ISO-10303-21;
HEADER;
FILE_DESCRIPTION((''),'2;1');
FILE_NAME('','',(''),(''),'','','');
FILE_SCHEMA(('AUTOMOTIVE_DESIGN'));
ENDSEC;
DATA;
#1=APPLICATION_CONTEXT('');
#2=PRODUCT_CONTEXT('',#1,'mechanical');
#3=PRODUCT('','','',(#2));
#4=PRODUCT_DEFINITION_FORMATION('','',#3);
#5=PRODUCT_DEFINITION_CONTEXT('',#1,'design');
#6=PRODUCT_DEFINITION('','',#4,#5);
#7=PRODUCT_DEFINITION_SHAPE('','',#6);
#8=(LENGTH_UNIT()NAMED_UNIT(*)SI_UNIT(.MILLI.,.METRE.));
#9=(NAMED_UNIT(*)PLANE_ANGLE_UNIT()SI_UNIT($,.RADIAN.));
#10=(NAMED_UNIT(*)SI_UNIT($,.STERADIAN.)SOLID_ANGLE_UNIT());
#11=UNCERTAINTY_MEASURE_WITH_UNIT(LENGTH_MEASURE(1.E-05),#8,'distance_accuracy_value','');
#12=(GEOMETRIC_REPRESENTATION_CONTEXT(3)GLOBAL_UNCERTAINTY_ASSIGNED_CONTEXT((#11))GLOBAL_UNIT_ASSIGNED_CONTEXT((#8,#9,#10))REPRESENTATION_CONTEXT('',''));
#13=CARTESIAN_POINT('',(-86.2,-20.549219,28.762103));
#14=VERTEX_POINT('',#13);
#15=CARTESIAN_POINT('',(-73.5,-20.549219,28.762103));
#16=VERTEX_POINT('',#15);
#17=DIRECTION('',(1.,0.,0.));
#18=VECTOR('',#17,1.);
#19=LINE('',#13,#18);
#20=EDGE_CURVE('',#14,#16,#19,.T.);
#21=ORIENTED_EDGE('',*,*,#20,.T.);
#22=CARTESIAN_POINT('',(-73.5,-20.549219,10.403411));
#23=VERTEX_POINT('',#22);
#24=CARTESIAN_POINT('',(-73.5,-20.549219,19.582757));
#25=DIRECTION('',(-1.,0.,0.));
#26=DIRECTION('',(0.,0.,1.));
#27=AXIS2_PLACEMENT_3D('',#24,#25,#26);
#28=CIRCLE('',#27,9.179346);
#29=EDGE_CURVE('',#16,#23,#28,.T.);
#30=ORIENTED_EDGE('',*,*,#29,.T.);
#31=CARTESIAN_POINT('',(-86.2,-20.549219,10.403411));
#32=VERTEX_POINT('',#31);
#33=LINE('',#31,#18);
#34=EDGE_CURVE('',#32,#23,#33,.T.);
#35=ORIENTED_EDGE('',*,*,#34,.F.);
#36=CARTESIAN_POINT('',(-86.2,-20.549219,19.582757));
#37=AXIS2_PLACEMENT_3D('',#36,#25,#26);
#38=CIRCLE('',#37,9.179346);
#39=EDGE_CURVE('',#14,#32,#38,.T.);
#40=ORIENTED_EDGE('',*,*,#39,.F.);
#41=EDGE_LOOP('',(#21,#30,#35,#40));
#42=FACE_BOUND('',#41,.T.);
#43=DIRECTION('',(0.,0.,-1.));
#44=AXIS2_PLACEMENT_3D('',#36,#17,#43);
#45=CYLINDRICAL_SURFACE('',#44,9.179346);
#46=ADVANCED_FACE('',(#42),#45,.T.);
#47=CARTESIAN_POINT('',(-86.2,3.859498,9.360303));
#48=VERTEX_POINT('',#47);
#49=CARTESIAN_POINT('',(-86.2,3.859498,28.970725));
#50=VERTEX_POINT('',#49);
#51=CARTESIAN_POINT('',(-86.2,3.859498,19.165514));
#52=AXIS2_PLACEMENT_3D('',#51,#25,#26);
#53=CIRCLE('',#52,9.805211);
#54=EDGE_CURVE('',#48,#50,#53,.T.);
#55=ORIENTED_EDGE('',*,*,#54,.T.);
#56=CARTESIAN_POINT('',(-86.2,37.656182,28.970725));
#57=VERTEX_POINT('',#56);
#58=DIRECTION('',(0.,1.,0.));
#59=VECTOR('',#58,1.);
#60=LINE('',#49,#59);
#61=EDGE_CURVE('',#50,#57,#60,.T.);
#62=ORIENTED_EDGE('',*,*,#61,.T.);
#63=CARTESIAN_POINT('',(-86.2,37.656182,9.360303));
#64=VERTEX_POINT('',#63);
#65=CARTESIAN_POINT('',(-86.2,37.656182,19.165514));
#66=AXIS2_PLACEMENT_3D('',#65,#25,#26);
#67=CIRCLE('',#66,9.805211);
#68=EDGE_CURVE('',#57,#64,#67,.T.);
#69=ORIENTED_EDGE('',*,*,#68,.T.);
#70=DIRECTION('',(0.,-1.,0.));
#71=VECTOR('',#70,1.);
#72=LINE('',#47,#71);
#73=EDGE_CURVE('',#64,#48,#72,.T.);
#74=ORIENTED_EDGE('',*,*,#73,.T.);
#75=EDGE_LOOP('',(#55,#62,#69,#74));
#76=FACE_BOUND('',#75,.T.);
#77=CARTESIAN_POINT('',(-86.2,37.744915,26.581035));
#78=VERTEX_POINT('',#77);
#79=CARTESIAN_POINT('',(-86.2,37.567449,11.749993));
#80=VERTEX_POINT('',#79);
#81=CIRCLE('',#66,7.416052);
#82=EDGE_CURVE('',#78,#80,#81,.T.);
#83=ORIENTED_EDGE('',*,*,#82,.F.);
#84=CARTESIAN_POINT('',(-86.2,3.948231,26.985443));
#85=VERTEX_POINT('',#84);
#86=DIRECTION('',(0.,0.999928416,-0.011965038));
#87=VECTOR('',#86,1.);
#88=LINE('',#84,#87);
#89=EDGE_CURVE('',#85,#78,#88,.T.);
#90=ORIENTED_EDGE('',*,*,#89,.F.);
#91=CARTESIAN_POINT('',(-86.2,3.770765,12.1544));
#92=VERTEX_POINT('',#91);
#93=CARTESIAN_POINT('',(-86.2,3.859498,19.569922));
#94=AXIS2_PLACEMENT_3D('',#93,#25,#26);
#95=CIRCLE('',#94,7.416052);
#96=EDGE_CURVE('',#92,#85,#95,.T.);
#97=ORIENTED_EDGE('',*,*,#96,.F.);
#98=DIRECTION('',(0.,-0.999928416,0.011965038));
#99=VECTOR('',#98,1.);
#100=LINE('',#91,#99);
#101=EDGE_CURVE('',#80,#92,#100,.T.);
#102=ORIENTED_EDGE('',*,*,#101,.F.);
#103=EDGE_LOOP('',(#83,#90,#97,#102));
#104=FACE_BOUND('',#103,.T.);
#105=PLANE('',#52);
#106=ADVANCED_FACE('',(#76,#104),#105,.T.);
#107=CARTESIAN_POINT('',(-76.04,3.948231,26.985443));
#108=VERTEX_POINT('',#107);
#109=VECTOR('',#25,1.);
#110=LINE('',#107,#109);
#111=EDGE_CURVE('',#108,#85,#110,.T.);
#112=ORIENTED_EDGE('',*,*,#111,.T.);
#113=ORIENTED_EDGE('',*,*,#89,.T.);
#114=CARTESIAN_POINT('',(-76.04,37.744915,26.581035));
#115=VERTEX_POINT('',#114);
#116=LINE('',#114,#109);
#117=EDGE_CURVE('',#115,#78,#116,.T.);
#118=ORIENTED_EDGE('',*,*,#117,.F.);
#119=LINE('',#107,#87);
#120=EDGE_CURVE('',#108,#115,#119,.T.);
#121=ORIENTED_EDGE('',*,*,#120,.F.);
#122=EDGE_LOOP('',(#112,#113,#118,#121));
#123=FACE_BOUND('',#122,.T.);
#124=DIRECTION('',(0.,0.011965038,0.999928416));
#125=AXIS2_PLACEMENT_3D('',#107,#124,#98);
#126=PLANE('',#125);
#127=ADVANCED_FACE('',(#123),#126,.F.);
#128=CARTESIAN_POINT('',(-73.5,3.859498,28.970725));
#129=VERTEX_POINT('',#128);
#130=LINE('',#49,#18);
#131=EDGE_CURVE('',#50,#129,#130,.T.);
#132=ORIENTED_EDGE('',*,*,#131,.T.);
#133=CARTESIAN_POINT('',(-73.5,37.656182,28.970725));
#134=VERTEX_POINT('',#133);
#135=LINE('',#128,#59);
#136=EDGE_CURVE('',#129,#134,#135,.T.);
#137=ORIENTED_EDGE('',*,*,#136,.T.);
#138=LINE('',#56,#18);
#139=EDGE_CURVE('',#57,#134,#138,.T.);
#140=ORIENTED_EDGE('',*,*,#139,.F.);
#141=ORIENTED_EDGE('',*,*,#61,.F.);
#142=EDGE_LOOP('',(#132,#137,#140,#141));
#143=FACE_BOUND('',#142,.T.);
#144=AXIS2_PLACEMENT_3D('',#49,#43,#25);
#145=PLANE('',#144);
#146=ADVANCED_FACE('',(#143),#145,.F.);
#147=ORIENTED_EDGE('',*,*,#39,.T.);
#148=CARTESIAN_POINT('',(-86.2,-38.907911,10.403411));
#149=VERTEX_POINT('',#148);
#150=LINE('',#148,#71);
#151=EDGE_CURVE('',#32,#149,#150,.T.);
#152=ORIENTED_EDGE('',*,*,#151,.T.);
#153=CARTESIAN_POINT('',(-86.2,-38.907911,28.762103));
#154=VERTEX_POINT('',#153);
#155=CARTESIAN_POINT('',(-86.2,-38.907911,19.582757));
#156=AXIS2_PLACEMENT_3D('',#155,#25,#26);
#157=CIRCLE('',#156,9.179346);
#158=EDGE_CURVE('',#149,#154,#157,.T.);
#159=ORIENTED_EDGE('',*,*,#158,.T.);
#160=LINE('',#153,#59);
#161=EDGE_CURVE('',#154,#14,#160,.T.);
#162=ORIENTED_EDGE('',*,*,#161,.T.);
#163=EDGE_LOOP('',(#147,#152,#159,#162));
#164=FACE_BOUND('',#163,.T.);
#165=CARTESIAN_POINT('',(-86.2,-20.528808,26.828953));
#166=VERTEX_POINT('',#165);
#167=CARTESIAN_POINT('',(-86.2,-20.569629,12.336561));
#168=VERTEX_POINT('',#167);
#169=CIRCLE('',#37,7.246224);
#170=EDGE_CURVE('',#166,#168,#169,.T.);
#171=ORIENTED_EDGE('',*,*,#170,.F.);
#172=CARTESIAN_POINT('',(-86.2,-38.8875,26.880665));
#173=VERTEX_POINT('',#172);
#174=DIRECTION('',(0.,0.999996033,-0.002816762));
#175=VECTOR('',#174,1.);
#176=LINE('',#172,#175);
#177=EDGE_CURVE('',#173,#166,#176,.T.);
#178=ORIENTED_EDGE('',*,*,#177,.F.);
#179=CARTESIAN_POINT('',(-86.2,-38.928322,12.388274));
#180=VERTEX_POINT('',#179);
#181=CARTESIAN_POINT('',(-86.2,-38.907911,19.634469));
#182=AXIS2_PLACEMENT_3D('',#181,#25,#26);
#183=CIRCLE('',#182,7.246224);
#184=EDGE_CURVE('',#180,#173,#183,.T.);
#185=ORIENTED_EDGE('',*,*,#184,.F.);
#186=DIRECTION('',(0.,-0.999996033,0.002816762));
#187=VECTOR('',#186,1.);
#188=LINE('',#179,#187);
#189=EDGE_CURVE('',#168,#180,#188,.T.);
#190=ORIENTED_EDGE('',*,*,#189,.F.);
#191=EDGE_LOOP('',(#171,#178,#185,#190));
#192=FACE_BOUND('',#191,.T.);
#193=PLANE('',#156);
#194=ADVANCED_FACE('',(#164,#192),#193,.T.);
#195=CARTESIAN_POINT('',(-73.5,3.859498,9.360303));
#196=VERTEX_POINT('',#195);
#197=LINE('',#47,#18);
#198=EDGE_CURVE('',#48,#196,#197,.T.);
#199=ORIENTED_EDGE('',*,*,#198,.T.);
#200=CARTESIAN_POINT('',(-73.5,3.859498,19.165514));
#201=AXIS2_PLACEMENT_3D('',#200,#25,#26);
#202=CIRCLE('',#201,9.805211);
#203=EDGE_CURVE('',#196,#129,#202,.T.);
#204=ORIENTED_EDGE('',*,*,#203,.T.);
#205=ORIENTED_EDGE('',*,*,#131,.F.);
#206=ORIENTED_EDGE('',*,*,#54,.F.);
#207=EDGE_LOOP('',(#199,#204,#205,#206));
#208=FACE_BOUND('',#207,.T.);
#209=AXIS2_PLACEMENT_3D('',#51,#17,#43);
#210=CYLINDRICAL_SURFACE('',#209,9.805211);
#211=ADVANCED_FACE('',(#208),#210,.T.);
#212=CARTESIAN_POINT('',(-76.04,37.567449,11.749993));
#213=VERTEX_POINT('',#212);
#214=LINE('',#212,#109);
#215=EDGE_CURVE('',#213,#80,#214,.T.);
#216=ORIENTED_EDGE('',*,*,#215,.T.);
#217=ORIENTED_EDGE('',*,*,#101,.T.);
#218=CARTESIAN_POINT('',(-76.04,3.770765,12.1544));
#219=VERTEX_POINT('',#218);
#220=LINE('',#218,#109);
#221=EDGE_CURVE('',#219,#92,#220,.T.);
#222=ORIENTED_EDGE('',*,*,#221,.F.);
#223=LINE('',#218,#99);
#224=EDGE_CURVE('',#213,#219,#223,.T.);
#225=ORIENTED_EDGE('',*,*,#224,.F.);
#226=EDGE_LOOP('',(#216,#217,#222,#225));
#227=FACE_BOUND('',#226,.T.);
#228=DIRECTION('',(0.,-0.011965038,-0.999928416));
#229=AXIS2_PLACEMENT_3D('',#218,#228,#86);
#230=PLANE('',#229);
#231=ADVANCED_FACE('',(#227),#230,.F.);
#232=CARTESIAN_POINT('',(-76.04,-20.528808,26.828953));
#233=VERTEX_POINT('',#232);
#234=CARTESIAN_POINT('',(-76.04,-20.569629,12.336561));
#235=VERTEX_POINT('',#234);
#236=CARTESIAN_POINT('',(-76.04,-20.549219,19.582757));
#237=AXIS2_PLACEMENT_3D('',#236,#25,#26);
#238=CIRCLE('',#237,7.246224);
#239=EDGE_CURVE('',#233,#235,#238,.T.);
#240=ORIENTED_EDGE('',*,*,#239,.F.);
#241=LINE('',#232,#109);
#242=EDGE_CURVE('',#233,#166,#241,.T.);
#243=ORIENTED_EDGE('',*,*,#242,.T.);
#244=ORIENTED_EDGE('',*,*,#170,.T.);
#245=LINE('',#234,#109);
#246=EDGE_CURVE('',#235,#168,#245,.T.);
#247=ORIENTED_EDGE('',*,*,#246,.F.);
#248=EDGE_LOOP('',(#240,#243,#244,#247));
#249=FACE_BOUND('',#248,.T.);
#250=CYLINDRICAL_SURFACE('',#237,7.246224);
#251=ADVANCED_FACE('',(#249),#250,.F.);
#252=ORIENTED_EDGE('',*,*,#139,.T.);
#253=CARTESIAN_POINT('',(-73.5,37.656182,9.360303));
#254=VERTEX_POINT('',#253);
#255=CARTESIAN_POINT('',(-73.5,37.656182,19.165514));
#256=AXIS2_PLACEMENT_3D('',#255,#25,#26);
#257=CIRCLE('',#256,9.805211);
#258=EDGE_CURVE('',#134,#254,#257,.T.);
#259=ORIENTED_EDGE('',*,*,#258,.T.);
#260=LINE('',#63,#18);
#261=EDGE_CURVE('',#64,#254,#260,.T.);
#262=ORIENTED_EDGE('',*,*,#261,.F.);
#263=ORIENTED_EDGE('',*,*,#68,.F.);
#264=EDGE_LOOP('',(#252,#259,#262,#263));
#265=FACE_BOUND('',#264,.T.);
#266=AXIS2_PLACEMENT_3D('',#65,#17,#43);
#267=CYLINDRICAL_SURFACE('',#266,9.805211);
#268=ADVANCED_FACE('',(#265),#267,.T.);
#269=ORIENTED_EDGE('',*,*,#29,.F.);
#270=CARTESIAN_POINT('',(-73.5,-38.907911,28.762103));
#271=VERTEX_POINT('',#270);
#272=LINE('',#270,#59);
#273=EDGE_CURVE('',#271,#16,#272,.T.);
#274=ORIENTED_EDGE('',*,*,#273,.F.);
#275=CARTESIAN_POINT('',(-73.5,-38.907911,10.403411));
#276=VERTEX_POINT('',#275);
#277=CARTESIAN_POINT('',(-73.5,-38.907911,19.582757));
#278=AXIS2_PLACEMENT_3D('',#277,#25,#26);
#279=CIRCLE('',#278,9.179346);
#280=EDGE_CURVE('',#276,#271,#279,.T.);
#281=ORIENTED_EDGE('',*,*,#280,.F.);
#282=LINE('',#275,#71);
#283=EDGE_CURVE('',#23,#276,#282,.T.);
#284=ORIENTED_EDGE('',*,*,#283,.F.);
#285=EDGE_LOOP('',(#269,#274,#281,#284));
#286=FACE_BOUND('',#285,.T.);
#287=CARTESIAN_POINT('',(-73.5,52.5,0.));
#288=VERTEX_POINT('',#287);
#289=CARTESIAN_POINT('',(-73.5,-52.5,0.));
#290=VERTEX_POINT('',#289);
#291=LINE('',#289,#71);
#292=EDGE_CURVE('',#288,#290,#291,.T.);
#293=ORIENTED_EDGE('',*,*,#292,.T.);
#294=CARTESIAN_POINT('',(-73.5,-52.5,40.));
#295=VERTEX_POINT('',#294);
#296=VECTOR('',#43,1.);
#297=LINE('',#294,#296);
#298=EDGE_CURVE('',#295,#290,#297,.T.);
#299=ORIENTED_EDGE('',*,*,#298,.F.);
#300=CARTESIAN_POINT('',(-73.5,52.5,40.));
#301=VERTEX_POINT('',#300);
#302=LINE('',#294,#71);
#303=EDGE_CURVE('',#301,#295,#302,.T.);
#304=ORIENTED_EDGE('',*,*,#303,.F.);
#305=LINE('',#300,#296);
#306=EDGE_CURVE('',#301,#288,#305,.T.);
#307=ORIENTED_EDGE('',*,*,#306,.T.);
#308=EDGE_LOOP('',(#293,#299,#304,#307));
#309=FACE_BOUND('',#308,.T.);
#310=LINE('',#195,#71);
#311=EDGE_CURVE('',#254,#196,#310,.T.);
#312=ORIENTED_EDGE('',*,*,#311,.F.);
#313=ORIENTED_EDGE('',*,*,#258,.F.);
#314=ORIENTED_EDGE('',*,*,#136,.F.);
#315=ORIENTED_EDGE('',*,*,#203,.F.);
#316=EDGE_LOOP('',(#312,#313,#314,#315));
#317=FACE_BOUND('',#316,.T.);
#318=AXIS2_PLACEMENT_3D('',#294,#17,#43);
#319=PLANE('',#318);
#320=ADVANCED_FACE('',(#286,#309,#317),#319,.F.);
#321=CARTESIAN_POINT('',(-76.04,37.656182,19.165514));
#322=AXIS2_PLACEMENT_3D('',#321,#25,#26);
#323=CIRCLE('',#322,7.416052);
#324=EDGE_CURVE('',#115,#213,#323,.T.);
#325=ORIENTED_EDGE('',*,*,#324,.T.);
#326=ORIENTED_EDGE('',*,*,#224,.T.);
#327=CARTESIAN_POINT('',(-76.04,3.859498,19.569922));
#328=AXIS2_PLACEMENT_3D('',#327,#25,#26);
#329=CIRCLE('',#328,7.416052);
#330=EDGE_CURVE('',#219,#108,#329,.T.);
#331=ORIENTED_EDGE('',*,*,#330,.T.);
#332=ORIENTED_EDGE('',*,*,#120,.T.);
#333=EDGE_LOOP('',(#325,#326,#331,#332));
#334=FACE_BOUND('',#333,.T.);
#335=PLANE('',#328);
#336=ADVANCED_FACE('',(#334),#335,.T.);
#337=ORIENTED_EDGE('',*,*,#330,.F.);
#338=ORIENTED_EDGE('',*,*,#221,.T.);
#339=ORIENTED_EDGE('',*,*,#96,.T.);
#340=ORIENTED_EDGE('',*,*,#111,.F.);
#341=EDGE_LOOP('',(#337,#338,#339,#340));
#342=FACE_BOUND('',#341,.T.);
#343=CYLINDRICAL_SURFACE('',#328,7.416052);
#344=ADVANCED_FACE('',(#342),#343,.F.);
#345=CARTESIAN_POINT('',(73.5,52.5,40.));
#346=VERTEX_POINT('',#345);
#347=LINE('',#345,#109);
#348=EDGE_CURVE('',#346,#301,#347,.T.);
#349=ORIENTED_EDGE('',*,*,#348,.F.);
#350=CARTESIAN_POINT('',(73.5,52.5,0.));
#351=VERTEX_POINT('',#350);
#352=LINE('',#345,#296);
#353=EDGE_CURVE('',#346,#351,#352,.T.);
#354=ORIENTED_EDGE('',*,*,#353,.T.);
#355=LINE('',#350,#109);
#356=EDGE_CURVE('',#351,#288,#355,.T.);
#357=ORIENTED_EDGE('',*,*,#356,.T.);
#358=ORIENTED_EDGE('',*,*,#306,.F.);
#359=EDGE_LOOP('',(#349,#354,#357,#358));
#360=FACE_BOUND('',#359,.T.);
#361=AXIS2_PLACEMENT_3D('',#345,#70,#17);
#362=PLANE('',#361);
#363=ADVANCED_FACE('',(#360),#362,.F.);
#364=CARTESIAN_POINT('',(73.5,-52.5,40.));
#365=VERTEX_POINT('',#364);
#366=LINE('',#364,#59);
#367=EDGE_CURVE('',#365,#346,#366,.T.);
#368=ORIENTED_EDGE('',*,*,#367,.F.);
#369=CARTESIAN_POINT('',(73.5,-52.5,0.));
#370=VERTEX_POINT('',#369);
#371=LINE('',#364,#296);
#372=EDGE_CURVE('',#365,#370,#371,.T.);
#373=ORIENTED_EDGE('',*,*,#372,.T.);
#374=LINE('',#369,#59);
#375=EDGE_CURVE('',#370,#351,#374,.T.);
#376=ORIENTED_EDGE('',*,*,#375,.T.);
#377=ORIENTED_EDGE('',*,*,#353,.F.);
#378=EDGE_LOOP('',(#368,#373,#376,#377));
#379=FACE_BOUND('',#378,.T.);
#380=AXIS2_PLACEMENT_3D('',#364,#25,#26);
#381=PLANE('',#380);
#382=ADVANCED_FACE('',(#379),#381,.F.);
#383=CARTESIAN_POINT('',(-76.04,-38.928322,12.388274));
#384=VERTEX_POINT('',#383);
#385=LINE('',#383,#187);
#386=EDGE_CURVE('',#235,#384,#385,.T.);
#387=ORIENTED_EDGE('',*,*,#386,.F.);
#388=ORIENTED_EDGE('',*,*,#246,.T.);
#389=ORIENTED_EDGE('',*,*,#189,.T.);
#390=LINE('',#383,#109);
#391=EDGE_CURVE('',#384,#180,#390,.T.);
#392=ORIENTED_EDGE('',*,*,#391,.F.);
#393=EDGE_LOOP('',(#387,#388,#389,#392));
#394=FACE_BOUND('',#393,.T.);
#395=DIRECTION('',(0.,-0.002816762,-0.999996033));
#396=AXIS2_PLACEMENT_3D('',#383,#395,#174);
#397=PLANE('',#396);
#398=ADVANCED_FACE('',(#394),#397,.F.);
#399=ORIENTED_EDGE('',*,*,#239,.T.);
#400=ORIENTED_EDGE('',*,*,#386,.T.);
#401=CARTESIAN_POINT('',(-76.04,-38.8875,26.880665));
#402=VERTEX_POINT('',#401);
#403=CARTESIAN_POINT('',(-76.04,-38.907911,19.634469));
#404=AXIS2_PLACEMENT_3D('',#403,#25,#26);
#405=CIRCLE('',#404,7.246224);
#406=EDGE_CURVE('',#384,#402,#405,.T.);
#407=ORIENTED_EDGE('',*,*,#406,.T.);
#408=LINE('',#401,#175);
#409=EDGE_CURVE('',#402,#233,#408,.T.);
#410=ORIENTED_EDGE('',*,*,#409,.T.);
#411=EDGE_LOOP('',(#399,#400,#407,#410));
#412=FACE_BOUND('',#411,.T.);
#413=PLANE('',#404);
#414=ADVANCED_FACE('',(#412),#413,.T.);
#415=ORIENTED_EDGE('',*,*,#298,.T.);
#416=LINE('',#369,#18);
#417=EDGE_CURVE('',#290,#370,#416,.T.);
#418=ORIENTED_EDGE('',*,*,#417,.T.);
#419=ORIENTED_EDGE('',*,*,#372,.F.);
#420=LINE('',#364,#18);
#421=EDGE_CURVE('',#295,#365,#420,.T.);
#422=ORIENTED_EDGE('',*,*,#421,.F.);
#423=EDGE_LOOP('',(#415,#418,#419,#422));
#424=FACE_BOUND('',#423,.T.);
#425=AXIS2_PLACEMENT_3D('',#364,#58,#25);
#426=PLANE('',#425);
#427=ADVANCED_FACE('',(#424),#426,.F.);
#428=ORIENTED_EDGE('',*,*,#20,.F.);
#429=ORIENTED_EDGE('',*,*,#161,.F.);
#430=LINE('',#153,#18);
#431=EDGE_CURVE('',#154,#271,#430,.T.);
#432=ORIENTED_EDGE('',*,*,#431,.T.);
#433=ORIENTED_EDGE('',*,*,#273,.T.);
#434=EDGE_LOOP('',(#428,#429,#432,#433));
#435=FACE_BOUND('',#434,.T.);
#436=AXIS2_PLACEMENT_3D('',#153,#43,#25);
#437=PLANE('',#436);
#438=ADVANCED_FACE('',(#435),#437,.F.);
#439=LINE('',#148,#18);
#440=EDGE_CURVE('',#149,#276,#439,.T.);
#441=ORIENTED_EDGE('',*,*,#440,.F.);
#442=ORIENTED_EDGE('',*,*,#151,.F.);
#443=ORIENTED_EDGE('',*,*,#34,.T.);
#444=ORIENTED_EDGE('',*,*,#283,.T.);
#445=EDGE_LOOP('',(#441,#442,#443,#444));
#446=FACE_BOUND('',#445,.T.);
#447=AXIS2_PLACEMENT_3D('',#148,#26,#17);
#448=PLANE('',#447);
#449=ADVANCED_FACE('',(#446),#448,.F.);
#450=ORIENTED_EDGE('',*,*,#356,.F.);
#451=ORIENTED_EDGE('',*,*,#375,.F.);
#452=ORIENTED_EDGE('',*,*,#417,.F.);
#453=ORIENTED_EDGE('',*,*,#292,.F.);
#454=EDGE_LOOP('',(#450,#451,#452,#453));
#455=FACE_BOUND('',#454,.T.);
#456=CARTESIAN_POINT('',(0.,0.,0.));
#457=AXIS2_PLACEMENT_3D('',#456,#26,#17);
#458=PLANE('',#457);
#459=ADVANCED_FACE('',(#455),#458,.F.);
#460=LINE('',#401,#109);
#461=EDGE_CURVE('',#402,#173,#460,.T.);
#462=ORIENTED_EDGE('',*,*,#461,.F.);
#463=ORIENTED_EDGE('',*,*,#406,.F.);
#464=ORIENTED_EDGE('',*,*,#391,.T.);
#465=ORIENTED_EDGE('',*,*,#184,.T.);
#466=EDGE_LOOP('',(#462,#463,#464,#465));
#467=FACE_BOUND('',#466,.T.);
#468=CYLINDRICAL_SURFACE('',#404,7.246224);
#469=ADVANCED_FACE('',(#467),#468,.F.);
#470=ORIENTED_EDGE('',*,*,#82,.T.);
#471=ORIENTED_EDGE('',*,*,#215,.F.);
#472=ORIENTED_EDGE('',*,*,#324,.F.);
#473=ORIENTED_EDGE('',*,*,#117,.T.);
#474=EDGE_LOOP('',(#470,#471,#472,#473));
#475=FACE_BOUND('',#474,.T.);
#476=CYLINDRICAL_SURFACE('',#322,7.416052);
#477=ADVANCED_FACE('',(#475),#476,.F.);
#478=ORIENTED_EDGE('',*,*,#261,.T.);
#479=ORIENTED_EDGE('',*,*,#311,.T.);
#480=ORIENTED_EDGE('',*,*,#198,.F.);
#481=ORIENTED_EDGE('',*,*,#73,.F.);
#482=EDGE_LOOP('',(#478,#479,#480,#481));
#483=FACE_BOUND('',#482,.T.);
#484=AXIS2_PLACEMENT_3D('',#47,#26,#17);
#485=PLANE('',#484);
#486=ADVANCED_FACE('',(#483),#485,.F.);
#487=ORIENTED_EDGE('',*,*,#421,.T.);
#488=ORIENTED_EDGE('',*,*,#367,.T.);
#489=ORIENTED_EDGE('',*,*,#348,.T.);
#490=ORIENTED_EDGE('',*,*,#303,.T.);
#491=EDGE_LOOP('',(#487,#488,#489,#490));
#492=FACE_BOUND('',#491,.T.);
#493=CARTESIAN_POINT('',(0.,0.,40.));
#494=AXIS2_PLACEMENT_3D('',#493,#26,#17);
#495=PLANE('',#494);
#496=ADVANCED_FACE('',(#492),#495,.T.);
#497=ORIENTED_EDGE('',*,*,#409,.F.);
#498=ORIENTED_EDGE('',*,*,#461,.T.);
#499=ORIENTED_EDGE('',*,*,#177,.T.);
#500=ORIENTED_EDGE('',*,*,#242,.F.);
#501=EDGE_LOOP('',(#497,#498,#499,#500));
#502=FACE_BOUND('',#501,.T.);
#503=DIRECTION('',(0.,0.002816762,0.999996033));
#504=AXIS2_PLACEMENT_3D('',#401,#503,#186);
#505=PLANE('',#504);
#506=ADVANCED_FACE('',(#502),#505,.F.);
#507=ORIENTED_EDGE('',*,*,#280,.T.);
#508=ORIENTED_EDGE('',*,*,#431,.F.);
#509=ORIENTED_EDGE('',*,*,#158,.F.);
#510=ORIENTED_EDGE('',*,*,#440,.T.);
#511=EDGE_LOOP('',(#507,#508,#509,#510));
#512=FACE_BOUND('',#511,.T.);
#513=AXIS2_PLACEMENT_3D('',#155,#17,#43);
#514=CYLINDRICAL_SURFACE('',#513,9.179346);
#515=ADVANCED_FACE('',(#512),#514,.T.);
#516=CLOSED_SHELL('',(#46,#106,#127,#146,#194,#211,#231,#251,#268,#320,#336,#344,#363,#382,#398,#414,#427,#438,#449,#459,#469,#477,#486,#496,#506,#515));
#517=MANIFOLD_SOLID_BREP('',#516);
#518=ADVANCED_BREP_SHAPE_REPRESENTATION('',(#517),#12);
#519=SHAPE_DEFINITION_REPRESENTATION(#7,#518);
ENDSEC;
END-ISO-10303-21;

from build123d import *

# Parameters (mm, degrees)
SKETCH1_W           = 147
SKETCH1_H           = 105
BOSS_EXTRUDE4_DEPTH = 40
BOSS_EXTRUDE5_DEPTH = 12.7
CUT_EXTRUDE3_DEPTH  = 10.16
BOSS_EXTRUDE6_DEPTH = 12.7
CUT_EXTRUDE4_DEPTH  = 10.16


with BuildPart() as part:
    # Sketch1 → Boss-Extrude4 (new body)
    with BuildSketch(Plane.XY):
        Rectangle(SKETCH1_W, SKETCH1_H)
    extrude(amount=BOSS_EXTRUDE4_DEPTH)

    # Sketch6 → Boss-Extrude5 (add)
    with BuildSketch(Plane.ZY.offset(73.5)):
        with BuildLine():
            Line((9.360303109, 3.859497892), (9.360303109, 37.656182133))
            ThreePointArc((9.360303109, 37.656182133), (19.165513969, 47.461392993), (28.970724829, 37.656182133))
            Line((28.970724829, 37.656182133), (28.970724829, 3.859497892))
            ThreePointArc((28.970724829, 3.859497892), (19.165513969, -5.945712968), (9.360303109, 3.859497892))
        make_face()
    extrude(amount=BOSS_EXTRUDE5_DEPTH)

    # Sketch7 → Cut-Extrude3 (cut)
    with BuildSketch(Plane.ZY.offset(86.2)):
        with BuildLine():
            Line((12.154400228, 3.770764543), (11.749992656, 37.567448784))
            ThreePointArc((11.749992656, 37.567448784), (19.076780621, 45.071703446), (26.581035283, 37.744915482))
            Line((26.581035283, 37.744915482), (26.985442854, 3.94823124))
            ThreePointArc((26.985442854, 3.94823124), (19.65865489, -3.556023421), (12.154400228, 3.770764543))
        make_face()
    extrude(amount=-CUT_EXTRUDE3_DEPTH, mode=Mode.SUBTRACT)

    # Sketch8 → Boss-Extrude6 (add)
    with BuildSketch(Plane.ZY.offset(73.5)):
        with BuildLine():
            Line((10.403410648, -38.907911179), (10.403410648, -20.549218505))
            ThreePointArc((10.403410648, -20.549218505), (19.582756985, -11.369872168), (28.762103322, -20.549218505))
            Line((28.762103322, -20.549218505), (28.762103322, -38.907911179))
            ThreePointArc((28.762103322, -38.907911179), (19.582756985, -48.087257516), (10.403410648, -38.907911179))
        make_face()
    extrude(amount=BOSS_EXTRUDE6_DEPTH)

    # Sketch9 → Cut-Extrude4 (cut)
    with BuildSketch(Plane.ZY.offset(86.2)):
        with BuildLine():
            Line((12.388273633, -38.928322069), (12.336561358, -20.569629395))
            ThreePointArc((12.336561358, -20.569629395), (19.562346094, -13.303022878), (26.828952612, -20.528807614))
            Line((26.828952612, -20.528807614), (26.880664887, -38.887500288))
            ThreePointArc((26.880664887, -38.887500288), (19.654880151, -46.154106806), (12.388273633, -38.928322069))
        make_face()
    extrude(amount=-CUT_EXTRUDE4_DEPTH, mode=Mode.SUBTRACT)


solid = part.part
